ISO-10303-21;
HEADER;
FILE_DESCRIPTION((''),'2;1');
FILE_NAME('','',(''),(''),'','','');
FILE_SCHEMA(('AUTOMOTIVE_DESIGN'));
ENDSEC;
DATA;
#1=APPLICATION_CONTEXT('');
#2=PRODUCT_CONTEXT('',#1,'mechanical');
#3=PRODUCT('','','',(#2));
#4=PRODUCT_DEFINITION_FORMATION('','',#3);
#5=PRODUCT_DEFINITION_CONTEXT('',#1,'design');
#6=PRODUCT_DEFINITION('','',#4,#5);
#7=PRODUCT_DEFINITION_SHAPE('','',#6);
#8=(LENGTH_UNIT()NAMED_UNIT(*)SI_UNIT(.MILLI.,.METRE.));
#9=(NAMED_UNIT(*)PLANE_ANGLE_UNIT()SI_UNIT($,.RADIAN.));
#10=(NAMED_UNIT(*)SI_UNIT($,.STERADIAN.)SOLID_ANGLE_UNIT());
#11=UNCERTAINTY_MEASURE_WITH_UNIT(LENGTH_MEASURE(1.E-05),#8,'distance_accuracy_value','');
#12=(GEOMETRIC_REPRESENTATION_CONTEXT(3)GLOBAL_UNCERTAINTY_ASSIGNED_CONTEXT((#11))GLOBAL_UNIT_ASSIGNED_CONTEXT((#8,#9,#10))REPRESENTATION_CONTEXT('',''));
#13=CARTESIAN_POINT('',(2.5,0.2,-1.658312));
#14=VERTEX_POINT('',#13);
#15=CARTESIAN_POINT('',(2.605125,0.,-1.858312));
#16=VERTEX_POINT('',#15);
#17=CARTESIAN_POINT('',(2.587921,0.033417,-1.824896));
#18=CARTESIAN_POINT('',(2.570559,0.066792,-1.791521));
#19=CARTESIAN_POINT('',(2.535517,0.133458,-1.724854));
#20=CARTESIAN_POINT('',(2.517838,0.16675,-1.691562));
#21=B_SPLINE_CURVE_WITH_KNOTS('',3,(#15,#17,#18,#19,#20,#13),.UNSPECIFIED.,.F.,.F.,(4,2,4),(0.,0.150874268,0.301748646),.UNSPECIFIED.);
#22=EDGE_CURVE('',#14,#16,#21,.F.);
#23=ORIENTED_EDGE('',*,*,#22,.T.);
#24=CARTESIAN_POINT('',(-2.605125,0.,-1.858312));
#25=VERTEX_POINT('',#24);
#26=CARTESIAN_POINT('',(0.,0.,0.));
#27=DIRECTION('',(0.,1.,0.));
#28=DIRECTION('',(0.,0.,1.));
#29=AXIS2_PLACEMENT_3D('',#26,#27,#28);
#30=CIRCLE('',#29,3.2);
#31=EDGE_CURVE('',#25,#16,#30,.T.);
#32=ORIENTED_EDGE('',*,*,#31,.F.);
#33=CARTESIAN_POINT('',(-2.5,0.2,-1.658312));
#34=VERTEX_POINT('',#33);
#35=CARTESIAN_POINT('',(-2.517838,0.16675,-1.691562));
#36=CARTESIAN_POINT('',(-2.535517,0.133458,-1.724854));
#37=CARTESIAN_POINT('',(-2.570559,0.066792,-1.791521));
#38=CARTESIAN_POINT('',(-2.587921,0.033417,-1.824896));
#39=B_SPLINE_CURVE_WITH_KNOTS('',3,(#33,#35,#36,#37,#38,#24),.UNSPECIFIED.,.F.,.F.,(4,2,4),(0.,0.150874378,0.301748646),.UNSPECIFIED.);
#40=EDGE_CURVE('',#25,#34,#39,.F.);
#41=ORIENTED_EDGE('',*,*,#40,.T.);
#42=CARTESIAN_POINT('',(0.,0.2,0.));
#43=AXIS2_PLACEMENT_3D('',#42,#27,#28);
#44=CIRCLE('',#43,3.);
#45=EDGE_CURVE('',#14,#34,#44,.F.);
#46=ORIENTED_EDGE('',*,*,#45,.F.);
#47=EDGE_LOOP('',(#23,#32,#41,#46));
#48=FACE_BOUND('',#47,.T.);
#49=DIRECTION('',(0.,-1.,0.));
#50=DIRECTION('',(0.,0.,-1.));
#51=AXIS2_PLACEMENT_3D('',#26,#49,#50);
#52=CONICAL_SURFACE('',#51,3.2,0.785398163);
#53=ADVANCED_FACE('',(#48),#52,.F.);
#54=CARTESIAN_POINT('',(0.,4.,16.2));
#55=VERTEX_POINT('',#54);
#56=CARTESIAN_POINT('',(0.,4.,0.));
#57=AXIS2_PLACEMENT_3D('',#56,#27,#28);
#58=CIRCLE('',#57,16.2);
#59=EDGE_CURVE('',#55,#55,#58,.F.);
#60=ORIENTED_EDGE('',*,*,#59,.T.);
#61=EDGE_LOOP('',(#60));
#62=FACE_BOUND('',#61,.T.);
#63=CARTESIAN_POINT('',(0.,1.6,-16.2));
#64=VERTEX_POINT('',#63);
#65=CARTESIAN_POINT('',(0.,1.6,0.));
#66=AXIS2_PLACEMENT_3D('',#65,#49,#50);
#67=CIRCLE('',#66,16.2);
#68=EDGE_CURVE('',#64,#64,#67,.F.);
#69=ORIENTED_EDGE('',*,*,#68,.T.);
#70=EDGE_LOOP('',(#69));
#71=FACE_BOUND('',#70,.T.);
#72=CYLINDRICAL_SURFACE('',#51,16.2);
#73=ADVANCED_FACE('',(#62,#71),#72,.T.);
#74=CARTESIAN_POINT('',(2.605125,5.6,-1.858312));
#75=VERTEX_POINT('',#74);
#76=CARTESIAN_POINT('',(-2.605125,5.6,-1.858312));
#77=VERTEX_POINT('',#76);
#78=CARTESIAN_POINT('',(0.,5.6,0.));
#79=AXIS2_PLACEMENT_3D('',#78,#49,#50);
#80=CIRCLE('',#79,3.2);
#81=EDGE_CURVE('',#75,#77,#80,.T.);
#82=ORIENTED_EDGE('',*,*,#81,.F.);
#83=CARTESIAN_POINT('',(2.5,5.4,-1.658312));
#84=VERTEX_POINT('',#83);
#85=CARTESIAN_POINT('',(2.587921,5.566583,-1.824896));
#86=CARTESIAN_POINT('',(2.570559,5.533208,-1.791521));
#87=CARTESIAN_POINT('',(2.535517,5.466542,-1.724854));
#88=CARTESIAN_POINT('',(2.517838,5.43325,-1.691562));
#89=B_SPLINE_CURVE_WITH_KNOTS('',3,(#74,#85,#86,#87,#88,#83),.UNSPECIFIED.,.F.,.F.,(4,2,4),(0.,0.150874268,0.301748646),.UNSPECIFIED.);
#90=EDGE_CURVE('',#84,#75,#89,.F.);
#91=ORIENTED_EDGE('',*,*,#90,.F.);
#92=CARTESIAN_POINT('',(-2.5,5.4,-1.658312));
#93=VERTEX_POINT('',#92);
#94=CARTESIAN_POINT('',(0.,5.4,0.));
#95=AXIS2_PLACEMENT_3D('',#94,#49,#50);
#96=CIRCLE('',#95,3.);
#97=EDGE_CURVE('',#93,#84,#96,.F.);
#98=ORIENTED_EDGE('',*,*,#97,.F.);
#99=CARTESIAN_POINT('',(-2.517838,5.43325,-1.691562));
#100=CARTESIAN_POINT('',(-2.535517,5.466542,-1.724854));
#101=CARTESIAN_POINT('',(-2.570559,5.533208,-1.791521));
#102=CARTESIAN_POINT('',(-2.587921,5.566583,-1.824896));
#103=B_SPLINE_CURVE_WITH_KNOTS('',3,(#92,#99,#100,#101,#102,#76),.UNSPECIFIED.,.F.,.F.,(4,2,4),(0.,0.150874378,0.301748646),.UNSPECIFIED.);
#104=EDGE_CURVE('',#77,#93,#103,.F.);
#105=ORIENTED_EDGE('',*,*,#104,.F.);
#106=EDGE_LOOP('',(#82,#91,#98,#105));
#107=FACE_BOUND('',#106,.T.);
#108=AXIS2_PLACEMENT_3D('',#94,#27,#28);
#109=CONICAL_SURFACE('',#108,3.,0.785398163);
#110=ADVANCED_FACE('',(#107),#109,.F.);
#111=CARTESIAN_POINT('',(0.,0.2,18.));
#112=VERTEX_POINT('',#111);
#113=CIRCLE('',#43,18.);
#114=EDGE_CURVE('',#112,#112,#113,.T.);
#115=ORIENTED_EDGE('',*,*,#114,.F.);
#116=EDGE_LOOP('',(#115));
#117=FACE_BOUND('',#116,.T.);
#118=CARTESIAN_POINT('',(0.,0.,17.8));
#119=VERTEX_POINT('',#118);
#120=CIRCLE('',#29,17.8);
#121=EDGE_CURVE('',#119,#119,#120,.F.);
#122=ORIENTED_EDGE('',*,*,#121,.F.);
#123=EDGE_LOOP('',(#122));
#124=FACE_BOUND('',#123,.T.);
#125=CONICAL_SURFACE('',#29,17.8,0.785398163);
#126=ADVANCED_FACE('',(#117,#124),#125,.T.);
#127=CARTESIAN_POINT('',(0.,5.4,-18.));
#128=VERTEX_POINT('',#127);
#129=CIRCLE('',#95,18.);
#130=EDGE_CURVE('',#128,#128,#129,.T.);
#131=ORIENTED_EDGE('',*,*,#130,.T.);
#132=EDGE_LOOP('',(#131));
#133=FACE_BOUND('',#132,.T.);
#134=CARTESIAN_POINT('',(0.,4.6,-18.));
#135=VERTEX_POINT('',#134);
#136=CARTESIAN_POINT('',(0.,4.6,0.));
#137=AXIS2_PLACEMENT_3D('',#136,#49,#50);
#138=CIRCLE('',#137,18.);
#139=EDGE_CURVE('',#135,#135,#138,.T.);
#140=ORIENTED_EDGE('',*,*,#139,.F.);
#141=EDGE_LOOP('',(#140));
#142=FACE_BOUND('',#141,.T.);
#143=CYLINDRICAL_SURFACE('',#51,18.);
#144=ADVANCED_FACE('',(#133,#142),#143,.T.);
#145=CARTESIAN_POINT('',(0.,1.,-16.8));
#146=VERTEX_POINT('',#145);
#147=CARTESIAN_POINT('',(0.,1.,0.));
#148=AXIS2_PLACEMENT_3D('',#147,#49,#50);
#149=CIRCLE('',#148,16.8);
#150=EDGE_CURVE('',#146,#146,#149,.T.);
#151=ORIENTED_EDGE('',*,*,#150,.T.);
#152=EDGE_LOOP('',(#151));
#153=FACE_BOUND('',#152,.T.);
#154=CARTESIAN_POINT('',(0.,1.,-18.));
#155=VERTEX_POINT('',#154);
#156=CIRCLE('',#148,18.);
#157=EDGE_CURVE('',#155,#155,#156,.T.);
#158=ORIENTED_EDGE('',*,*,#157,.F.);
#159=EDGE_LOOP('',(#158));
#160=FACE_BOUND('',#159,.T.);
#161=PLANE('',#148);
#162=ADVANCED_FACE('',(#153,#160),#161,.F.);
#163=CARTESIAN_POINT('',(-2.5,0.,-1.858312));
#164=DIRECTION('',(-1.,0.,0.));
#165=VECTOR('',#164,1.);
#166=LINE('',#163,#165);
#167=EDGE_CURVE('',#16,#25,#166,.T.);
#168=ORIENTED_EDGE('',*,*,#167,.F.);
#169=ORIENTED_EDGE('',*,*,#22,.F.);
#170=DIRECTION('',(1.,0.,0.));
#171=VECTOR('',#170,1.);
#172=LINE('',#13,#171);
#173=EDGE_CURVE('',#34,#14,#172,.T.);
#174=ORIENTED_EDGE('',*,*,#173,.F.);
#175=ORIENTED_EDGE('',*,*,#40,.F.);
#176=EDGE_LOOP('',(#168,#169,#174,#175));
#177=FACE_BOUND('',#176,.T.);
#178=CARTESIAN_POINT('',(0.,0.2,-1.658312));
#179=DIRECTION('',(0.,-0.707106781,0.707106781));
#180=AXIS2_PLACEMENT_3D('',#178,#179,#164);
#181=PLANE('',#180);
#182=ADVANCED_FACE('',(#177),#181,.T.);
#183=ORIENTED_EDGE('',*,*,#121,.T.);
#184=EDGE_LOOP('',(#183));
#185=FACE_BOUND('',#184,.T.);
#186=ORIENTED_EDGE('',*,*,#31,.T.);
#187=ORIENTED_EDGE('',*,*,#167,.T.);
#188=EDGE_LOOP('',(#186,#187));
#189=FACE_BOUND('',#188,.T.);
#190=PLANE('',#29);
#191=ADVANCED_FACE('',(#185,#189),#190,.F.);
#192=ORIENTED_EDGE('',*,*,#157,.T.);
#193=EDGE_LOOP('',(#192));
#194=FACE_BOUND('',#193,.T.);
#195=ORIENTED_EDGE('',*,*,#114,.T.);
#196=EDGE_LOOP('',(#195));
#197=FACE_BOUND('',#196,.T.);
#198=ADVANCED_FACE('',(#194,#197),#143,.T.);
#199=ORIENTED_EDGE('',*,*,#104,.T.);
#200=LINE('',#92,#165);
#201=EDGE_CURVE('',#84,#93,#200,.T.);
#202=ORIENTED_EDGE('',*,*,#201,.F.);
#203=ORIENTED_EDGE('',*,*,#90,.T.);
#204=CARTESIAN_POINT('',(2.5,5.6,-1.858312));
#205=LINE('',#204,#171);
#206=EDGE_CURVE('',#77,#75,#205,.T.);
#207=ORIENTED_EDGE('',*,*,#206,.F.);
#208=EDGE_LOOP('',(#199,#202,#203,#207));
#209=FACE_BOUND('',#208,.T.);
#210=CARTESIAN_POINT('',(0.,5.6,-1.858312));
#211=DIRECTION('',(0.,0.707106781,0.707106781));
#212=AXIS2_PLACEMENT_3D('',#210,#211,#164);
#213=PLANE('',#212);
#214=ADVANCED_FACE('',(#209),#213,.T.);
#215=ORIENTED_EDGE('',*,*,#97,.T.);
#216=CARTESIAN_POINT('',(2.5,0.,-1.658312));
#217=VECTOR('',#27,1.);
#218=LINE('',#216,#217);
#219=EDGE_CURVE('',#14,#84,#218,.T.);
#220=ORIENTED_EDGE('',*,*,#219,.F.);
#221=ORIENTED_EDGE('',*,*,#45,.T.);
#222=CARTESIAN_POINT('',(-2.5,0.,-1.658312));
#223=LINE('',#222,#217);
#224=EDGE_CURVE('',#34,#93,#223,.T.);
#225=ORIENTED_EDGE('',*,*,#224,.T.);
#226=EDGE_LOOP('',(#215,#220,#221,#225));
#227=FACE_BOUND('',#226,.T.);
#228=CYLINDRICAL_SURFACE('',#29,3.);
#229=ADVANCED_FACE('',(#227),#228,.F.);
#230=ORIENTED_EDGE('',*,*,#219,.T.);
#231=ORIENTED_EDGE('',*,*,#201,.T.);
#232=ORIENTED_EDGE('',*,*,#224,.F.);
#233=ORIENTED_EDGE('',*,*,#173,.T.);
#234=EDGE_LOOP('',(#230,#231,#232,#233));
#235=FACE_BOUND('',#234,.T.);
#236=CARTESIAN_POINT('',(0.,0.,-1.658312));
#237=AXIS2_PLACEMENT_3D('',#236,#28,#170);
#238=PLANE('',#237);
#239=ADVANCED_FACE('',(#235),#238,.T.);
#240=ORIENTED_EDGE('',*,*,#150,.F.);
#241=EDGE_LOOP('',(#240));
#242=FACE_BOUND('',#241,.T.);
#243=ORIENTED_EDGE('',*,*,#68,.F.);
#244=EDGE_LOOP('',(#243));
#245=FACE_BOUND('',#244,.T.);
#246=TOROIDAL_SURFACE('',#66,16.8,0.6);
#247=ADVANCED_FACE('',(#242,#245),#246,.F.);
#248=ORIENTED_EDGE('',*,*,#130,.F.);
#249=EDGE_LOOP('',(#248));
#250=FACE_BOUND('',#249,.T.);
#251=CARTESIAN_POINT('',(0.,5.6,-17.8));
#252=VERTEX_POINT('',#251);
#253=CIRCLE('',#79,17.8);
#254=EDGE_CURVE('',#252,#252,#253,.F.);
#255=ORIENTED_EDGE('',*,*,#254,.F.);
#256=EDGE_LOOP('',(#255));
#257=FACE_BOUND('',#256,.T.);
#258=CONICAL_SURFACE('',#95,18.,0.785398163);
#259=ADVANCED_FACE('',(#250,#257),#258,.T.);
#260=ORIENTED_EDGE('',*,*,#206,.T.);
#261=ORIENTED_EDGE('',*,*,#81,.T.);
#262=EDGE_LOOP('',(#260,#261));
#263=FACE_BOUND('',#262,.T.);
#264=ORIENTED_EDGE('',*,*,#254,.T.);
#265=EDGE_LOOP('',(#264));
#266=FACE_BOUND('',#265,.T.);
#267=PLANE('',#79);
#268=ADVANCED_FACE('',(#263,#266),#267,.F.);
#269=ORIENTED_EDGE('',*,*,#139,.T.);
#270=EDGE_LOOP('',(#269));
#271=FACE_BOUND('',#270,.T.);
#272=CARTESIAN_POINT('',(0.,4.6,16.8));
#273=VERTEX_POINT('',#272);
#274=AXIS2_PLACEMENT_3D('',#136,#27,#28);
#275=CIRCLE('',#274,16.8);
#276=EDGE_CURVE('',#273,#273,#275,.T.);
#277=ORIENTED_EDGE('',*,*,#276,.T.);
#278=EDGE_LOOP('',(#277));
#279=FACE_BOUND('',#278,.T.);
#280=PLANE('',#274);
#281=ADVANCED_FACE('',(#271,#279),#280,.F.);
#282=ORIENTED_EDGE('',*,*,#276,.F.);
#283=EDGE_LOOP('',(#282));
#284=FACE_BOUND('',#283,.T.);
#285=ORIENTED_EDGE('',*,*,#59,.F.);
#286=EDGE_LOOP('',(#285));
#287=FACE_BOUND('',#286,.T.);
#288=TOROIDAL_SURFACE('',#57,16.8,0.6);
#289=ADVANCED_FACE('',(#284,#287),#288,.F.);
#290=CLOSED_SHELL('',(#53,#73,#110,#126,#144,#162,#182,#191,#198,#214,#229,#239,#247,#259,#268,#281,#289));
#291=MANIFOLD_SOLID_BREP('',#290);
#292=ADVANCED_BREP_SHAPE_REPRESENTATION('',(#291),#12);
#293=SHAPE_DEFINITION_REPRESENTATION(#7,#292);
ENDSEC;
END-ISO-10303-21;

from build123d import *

# Parameters (mm, degrees)
CUT_EXTRUDE_2_DEPTH = 27.064535292
FILLET_1_R          = 0.6
CHAMFER_1_SIZE      = 0.2
CHAMFER_2_SIZE      = 0.2


with BuildPart() as part:
    # 草图1 → 旋转2 (revolve)
    with BuildSketch(Plane(origin=(0, 0, 0), x_dir=(0, 0, -1), z_dir=(1, 0, 0)), mode=Mode.PRIVATE) as revolve_2_sk:
        Polygon((-16.2, 1), (-18, 1), (-18, 0), (0, 0), (0, 5.6), (-18, 5.6), (-18, 4.6), (-16.2, 4.6), align=None)
    revolve(revolve_2_sk.sketch.rotate(Axis((0, 0, 0), (0, 1, 0)), 180), axis=Axis((0, 0, 0), (0, 1, 0)))

    # 草图2 → 切除-拉伸2 (cut, through all)
    with BuildSketch(Plane(origin=(0, 5.6, 0), x_dir=(1, 0, 0), z_dir=(0, 1, 0))):
        with BuildLine():
            Line((2.5, 1.658312395), (-2.5, 1.658312395))
            ThreePointArc((-2.5, 1.658312395), (-0.866025404, -2.872281323), (3, 0))
            ThreePointArc((3, 0), (2.872281323, 0.866025404), (2.5, 1.658312395))
        make_face()
    extrude(amount=-CUT_EXTRUDE_2_DEPTH, mode=Mode.SUBTRACT)

    # 圆角1
    fillet_1_edges = [part.edges().sort_by_distance(p)[0] for p in [
        (0, 1, 16.2),
        (0, 4.6, 16.2),
    ]]
    fillet(fillet_1_edges, radius=FILLET_1_R)

    # 倒角1
    chamfer_1_edges = [part.edges().sort_by_distance(p)[0] for p in [
        (0, 5.6, -1.658312395),
        (0, 0, 3),
        (0, 0, -1.658312395),
        (0, 5.6, 3),
    ]]
    chamfer(chamfer_1_edges, length=CHAMFER_1_SIZE)

    # 倒角2
    chamfer_2_edges = [part.edges().sort_by_distance(p)[0] for p in [
        (0, 0, 18),
        (0, 5.6, 18),
    ]]
    chamfer(chamfer_2_edges, length=CHAMFER_2_SIZE)


solid = part.part
